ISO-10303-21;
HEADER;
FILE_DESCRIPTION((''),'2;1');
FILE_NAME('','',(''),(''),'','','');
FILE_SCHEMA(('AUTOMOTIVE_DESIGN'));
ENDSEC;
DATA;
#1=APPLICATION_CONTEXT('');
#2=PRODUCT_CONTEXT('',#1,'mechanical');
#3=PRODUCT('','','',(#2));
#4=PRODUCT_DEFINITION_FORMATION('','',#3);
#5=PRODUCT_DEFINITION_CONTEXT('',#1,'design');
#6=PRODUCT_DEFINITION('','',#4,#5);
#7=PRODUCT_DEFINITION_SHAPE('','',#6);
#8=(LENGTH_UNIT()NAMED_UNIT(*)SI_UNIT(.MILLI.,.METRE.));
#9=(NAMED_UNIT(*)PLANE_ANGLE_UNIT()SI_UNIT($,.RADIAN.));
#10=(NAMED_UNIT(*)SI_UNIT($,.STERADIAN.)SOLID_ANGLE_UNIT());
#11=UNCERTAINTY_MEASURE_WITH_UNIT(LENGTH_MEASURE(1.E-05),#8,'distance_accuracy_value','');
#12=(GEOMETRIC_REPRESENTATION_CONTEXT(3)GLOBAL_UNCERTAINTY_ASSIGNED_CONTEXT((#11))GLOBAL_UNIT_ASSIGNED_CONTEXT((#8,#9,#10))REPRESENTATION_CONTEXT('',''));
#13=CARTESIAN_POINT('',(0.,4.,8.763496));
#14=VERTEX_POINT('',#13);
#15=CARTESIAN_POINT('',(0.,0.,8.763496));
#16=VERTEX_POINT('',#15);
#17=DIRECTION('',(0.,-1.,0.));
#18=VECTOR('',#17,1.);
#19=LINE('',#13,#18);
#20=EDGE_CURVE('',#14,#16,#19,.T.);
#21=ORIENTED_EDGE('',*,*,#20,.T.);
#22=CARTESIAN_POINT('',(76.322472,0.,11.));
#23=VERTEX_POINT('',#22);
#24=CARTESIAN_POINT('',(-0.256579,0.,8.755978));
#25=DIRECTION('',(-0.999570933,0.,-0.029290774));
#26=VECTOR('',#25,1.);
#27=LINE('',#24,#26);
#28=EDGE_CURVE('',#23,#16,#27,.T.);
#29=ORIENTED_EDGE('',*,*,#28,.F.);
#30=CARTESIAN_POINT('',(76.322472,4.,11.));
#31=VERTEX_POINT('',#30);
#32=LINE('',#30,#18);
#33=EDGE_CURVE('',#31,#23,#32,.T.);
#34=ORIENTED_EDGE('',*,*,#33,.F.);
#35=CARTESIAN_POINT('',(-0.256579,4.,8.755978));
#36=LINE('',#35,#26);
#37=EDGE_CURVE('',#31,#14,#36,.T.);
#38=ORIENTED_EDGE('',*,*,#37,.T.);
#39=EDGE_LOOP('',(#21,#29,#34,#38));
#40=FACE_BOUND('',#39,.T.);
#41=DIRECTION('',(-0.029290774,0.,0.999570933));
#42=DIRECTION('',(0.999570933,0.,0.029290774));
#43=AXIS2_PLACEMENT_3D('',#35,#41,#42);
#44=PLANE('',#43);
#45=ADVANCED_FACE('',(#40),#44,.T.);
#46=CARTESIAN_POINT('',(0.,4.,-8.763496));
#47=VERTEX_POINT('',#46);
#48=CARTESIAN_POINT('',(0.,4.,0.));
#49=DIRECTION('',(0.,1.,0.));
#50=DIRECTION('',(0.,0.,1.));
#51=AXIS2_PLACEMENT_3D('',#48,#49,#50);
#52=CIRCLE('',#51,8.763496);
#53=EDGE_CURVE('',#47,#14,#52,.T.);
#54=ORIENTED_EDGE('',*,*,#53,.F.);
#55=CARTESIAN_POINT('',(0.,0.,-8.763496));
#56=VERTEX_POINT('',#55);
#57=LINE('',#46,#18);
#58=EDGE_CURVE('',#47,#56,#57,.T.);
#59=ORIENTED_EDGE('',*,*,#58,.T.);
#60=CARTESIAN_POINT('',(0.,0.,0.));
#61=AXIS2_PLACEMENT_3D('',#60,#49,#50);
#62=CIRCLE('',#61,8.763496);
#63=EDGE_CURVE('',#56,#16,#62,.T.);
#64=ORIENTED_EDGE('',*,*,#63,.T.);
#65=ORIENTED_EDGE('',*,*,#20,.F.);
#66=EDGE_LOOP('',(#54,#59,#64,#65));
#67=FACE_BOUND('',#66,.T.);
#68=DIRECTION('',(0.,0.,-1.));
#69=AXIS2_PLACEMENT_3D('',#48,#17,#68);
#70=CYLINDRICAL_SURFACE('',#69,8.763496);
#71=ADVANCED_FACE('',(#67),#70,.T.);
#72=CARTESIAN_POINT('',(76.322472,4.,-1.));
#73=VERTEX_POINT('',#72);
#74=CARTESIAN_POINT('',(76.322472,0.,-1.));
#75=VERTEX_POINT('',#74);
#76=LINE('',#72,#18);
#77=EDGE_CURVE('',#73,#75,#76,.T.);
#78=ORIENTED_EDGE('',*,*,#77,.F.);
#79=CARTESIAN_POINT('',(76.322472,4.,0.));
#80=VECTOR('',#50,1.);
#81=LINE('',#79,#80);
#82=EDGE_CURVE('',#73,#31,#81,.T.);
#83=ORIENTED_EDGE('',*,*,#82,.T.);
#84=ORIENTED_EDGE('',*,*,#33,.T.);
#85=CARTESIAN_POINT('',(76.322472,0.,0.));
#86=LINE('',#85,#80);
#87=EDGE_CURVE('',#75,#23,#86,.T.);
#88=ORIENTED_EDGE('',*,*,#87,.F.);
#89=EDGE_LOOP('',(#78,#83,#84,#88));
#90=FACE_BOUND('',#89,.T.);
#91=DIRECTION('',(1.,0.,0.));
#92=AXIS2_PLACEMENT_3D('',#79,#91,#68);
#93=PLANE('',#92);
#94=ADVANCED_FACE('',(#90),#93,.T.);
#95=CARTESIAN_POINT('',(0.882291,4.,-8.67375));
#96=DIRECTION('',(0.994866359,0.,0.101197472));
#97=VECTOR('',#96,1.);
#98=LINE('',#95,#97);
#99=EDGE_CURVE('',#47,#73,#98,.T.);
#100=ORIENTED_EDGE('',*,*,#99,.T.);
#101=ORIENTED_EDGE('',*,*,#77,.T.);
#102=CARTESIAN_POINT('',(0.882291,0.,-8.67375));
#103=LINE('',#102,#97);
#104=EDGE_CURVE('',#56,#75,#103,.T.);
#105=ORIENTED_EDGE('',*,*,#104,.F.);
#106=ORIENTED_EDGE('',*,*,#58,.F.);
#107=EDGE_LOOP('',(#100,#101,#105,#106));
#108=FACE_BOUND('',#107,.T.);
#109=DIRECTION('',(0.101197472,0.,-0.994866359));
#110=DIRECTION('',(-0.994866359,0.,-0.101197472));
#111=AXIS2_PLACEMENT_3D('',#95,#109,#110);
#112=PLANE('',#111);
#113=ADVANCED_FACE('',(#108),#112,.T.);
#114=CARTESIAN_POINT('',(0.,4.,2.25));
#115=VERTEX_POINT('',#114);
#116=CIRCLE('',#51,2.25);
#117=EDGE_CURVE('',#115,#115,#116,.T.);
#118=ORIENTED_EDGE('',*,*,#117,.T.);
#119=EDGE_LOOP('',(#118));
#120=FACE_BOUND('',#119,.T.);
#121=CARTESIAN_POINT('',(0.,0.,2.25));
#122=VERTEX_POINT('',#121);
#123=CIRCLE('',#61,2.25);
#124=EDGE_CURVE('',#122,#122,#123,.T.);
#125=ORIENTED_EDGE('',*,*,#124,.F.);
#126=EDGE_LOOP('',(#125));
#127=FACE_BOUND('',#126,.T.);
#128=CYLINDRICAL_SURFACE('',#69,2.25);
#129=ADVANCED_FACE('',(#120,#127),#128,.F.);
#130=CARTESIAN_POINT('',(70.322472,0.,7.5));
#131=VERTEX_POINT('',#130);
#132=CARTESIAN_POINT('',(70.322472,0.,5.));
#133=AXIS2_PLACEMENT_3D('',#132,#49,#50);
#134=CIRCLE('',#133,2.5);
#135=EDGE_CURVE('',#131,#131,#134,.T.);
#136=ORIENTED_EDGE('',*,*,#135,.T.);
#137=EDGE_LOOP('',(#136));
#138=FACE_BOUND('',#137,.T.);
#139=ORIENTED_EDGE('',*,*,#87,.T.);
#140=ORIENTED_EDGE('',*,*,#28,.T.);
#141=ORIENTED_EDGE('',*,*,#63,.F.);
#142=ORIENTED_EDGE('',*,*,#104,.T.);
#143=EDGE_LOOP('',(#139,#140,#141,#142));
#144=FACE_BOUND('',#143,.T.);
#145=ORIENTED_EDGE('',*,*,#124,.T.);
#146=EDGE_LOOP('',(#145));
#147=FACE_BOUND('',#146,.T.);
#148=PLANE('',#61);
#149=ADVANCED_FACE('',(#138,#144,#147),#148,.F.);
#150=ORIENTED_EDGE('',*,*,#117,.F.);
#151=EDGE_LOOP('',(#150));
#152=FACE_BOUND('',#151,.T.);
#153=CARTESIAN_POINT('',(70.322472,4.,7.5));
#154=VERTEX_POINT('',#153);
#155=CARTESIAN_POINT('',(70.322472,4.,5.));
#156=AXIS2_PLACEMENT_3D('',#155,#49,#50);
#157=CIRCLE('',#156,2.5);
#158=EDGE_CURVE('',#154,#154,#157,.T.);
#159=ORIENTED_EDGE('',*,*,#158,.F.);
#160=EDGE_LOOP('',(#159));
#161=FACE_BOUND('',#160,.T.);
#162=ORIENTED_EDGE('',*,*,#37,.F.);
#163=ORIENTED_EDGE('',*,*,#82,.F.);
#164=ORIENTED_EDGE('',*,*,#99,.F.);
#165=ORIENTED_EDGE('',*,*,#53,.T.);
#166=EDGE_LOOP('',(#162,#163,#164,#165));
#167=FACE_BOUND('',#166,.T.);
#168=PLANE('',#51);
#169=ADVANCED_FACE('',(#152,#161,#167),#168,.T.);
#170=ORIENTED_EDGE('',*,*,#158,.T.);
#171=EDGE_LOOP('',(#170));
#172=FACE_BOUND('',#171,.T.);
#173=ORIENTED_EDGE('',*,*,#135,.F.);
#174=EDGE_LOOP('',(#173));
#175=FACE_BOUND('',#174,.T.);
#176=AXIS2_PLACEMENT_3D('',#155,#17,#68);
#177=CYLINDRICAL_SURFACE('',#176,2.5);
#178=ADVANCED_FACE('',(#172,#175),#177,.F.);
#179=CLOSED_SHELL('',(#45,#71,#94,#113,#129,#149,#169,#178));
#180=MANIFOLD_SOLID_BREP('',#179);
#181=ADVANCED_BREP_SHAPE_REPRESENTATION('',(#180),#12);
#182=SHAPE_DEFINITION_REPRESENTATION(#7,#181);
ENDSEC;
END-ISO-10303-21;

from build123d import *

# Parameters (mm, degrees)
SKETCH1_R           = 2.5
SKETCH1_R_2         = 2.25
BOSS_EXTRUDE1_DEPTH = 4


with BuildPart() as part:
    # Sketch1 → Boss-Extrude1 (new body)
    with BuildSketch(Plane(origin=(0, 0, 0), x_dir=(1, 0, 0), z_dir=(0, 1, 0))):
        with BuildLine():
            Line((1.764581835, 8.584003487), (0, 8.763496159))
            ThreePointArc((0, 8.763496159), (-8.763496159, 0), (0, -8.763496159))
            Line((0, -8.763496159), (76.322471515, -11))
            Line((76.322471515, -11), (76.322471515, 1))
            Line((76.322471515, 1), (1.764581835, 8.584003487))
        make_face()
        with Locations((70.322471515, -5)):
            Circle(SKETCH1_R, mode=Mode.SUBTRACT)
        Circle(SKETCH1_R_2, mode=Mode.SUBTRACT)
    extrude(amount=BOSS_EXTRUDE1_DEPTH)


solid = part.part
